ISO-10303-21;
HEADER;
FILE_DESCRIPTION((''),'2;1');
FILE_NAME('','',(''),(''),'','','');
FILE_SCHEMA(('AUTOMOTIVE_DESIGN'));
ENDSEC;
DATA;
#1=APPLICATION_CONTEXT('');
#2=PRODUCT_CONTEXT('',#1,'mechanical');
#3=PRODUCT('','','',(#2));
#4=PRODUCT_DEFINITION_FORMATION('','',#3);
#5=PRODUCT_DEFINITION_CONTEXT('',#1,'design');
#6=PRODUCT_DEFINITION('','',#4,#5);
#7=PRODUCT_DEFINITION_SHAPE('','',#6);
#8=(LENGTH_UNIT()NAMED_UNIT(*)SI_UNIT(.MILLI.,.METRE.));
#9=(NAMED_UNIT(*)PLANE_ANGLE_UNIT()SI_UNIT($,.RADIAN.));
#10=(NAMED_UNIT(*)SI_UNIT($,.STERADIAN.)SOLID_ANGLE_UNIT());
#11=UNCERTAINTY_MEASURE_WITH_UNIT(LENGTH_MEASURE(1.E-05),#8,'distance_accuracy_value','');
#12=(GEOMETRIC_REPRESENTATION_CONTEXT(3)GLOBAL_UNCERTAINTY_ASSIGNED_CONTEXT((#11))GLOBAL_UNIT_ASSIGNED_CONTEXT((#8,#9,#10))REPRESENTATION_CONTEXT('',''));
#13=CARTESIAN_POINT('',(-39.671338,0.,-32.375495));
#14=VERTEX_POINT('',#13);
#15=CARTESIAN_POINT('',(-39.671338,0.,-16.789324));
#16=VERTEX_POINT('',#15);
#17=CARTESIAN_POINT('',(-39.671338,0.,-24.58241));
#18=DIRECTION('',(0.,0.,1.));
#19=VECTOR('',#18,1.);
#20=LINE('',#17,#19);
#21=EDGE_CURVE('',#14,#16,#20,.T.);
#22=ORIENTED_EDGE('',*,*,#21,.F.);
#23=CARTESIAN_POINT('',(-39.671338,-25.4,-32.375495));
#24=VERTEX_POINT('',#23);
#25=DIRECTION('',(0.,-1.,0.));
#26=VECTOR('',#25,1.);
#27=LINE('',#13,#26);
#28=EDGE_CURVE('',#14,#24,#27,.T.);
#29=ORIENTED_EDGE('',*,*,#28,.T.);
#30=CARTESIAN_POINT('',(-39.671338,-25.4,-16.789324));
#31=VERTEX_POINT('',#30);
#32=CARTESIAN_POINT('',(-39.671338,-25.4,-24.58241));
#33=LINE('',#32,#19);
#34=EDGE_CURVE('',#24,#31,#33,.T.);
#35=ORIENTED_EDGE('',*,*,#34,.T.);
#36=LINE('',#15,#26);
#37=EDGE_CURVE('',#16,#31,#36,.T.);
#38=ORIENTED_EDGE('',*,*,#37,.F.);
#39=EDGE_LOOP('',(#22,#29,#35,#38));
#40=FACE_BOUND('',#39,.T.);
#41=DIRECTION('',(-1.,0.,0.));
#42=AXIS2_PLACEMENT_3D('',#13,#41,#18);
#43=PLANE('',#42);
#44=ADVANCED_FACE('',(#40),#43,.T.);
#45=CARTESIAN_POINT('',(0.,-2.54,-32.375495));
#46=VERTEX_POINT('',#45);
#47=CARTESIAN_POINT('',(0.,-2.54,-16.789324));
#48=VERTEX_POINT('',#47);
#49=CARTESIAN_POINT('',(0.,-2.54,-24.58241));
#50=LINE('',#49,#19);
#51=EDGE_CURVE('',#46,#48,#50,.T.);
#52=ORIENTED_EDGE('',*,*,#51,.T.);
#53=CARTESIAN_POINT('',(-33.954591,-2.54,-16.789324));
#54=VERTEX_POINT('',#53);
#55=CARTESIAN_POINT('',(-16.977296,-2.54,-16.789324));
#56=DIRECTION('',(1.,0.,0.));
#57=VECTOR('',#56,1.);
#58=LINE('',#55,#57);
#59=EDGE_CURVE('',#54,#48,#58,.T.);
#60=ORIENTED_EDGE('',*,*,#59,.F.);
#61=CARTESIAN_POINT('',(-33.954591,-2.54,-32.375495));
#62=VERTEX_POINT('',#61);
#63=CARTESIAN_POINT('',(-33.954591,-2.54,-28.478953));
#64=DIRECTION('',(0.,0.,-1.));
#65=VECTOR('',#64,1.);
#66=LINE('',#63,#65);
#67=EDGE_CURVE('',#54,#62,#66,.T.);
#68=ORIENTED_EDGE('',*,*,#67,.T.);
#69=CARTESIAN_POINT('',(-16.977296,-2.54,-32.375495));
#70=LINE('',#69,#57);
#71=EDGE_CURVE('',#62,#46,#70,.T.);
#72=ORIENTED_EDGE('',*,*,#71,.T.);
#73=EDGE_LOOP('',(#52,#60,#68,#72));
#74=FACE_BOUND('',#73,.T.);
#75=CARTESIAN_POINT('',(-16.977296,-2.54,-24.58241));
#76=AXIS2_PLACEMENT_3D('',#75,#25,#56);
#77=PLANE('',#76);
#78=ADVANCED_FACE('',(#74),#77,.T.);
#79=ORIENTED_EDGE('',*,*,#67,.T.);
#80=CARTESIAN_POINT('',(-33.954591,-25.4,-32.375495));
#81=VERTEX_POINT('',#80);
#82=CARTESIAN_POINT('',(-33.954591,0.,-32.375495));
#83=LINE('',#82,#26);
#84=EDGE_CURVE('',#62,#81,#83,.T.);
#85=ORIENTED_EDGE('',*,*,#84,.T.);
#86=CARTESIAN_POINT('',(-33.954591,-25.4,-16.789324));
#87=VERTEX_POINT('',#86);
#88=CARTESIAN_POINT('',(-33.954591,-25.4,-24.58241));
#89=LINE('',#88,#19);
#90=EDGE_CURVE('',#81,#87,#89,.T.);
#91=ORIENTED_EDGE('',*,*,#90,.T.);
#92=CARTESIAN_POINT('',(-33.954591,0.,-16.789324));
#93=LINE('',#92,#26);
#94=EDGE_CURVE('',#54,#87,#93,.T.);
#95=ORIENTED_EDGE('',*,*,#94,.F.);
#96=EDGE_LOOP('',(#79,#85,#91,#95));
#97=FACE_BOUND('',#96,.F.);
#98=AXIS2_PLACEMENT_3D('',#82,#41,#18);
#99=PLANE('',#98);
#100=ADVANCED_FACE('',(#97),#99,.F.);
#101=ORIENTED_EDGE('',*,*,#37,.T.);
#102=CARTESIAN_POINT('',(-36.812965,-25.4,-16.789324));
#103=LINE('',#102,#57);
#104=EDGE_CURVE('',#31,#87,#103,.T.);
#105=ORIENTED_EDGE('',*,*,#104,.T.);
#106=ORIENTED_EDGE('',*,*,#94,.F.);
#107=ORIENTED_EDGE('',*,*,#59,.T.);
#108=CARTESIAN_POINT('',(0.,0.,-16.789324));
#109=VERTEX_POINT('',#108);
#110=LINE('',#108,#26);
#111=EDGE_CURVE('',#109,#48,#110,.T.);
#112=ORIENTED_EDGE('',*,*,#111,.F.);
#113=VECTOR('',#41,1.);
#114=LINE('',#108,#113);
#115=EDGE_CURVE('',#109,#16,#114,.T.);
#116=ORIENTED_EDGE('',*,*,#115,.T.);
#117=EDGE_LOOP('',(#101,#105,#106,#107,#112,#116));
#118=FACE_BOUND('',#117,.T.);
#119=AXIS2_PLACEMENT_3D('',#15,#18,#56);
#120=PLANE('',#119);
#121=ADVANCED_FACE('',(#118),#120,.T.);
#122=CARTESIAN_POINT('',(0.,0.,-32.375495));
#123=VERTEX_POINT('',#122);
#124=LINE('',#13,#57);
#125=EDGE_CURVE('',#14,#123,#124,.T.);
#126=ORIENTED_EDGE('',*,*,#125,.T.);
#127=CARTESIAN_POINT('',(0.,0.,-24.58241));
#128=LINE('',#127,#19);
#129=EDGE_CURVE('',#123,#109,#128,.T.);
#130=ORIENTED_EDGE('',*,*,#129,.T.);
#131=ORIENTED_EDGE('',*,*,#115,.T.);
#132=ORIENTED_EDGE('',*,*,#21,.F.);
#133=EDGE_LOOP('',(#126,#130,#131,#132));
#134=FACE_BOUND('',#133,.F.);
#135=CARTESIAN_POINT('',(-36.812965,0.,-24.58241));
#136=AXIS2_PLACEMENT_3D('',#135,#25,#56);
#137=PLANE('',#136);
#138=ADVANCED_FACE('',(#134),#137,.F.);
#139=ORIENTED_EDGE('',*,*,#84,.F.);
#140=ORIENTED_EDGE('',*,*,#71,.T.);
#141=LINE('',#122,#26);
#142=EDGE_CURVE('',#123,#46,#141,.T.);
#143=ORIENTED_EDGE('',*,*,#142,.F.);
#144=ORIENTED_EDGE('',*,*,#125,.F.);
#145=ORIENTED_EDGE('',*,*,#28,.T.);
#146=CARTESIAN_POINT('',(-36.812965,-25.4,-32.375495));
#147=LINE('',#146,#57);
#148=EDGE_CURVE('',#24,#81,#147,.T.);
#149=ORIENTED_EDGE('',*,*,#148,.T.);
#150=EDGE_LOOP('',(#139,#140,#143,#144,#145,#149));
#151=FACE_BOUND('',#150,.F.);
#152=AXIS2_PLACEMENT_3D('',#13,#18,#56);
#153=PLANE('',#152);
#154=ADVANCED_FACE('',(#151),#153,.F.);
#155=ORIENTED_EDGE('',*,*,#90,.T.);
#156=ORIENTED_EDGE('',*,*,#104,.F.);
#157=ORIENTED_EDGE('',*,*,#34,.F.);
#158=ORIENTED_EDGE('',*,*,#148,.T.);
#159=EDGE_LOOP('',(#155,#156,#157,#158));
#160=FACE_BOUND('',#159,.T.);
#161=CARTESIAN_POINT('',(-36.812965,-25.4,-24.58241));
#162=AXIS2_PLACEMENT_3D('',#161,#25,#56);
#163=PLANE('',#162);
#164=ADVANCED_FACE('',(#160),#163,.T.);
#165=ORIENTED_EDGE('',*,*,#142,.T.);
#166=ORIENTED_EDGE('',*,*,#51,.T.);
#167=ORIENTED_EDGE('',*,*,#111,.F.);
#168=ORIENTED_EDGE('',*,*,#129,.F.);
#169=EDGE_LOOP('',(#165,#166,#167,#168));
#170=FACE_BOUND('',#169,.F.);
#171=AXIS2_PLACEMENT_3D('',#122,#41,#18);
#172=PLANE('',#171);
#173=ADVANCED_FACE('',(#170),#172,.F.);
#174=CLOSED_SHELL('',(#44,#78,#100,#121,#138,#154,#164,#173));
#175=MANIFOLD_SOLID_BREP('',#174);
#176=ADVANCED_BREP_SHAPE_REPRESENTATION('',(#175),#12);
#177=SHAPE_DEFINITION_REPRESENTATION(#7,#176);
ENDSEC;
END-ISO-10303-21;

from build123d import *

# Parameters (mm, degrees)
F0_W     = 33.954592
F0_H     = 15.586171
F1_DEPTH = 2.54
F0_W_2   = 5.716747
F2_DEPTH = 25.4


with BuildPart() as f1:
    # F0 (on Front) → F1 (new body)
    with BuildSketch(Plane.XZ):
        with Locations((-16.977296, -24.58241)):
            Rectangle(F0_W, F0_H)
    extrude(amount=F1_DEPTH)

    # F0 (on Front) → F2 (join)
    with BuildSketch(Plane.XZ):
        with Locations((-36.812965, -24.58241)):
            Rectangle(F0_W_2, F0_H)
    extrude(amount=F2_DEPTH)


solid = f1.part
